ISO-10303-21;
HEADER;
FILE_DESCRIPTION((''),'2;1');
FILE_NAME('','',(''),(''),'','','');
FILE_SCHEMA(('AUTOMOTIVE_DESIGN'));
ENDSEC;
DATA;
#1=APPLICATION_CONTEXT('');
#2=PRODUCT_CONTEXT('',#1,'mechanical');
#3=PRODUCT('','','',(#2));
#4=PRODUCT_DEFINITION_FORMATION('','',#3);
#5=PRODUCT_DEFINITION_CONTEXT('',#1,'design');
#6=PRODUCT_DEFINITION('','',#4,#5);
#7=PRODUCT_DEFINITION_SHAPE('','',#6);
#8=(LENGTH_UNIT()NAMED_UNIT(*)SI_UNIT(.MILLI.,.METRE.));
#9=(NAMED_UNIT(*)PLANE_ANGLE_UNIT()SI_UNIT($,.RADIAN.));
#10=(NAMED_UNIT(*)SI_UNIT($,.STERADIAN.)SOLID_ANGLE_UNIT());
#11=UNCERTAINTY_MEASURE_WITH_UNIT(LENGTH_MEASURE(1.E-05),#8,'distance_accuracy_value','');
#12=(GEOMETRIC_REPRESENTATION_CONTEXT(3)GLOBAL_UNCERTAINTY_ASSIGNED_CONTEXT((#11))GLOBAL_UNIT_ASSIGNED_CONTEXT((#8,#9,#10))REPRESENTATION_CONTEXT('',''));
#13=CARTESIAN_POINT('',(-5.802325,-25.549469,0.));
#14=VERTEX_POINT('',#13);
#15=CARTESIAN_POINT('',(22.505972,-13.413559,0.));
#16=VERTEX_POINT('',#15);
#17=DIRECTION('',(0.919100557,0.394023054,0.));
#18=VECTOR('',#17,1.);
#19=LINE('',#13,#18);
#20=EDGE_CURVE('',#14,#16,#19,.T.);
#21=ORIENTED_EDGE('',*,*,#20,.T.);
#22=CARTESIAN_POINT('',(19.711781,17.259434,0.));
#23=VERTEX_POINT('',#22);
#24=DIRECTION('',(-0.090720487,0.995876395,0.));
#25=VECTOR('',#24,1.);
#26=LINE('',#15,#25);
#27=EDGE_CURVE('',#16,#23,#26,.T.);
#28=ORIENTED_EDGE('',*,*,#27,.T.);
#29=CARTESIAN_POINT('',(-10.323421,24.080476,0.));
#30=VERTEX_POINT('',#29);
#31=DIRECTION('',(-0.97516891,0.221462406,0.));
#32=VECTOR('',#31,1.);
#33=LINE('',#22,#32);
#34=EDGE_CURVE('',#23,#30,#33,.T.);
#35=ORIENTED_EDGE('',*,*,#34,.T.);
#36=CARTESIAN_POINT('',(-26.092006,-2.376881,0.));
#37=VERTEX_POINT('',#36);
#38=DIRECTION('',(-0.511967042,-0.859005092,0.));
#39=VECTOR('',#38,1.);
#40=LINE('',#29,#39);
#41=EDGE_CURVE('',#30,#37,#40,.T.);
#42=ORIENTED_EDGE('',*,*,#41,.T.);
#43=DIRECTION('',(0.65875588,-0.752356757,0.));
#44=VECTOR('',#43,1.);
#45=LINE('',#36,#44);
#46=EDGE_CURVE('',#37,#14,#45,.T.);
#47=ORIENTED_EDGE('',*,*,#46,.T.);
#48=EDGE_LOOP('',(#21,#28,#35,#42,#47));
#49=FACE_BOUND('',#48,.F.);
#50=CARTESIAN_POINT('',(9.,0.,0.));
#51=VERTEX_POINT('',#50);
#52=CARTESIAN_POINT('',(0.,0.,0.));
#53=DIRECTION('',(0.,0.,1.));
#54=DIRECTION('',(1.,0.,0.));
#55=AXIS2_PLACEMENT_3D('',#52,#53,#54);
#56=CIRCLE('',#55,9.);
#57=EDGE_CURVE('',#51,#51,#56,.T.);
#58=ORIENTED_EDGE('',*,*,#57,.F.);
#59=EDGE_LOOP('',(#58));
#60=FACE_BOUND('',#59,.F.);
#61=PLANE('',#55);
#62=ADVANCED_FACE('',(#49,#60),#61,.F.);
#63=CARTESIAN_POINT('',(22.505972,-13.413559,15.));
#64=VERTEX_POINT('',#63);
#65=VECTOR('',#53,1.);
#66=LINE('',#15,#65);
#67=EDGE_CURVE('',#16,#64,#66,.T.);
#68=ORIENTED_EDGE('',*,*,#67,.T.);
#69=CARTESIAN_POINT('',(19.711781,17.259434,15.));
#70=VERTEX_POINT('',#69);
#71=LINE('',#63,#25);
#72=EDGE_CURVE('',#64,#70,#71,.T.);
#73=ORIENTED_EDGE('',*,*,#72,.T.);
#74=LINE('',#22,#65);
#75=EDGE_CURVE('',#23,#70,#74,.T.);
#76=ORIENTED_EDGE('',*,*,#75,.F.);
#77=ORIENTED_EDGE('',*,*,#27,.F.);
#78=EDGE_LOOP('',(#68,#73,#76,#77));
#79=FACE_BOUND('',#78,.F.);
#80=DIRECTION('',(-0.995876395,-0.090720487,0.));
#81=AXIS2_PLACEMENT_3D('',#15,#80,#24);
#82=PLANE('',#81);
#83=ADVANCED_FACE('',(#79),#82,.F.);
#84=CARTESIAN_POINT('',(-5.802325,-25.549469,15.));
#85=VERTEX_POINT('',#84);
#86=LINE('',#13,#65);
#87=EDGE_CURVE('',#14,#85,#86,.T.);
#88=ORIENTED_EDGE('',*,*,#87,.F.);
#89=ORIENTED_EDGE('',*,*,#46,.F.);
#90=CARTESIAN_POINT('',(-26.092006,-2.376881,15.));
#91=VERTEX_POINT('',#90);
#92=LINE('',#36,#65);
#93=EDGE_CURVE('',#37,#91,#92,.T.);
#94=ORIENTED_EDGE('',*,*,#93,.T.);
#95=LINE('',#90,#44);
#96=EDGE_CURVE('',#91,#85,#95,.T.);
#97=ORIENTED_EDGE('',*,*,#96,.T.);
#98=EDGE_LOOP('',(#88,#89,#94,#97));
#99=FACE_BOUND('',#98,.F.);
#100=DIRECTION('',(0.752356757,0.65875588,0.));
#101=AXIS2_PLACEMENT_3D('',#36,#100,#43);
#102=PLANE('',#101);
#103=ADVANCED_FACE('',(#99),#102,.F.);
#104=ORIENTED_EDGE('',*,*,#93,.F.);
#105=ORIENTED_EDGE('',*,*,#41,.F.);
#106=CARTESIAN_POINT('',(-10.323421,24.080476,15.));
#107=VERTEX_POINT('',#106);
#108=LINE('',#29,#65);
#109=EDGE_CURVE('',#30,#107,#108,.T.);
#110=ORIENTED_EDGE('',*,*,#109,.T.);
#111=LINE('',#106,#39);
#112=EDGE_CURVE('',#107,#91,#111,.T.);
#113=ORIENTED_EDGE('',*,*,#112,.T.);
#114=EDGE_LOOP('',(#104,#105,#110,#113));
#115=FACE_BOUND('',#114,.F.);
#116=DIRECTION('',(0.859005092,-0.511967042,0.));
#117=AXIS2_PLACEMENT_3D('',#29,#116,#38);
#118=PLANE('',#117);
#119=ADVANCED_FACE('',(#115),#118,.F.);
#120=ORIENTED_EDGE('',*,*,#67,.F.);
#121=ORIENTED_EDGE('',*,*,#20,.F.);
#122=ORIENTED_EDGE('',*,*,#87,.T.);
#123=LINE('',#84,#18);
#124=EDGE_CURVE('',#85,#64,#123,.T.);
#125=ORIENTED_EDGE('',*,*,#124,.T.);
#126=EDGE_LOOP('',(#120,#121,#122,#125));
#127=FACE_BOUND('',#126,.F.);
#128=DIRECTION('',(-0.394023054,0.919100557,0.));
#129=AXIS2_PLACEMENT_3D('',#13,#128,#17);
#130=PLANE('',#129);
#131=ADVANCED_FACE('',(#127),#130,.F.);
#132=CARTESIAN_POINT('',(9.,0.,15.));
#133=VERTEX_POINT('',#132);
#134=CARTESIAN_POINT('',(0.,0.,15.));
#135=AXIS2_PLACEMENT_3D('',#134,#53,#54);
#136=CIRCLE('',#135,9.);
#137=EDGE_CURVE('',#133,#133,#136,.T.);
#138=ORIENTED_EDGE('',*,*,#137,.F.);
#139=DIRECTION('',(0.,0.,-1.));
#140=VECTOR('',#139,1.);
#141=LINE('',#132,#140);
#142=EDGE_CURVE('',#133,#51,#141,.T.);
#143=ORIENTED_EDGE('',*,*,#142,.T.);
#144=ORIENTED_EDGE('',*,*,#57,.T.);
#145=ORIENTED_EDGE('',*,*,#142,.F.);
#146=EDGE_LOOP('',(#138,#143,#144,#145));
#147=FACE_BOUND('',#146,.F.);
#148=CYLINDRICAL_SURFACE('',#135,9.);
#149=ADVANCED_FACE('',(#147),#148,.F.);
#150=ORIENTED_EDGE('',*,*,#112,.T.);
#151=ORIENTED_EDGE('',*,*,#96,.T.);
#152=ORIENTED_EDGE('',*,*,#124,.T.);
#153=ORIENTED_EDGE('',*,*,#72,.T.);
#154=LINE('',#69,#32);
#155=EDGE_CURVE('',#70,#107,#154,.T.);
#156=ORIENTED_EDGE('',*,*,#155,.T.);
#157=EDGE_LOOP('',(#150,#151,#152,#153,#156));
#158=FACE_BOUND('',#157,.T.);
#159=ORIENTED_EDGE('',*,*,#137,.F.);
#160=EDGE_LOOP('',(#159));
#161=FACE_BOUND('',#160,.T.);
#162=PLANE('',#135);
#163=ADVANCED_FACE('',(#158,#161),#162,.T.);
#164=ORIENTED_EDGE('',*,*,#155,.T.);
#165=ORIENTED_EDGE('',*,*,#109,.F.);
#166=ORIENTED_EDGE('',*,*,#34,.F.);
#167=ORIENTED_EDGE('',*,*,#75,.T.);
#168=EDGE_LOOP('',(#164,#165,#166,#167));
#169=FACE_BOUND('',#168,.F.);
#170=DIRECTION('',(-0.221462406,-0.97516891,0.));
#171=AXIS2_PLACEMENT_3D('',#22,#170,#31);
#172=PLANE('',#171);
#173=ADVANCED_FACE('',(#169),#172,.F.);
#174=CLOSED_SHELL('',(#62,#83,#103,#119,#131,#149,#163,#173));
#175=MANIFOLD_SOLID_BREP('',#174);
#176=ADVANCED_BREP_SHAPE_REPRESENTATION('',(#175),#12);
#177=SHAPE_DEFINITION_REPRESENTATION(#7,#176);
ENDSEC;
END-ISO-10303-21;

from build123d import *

# Parameters (mm, degrees)
F1_DEPTH = 15
F2_R     = 9
F3_DEPTH = 18


with BuildPart() as f1:
    # F0 (on Top) → F1 (new body)
    with BuildSketch(Plane.XY):
        Polygon((-5.802325, -25.549469), (22.505972, -13.413559), (19.711781, 17.259434), (-10.323421, 24.080476), (-26.092006, -2.376881), align=None)
    extrude(amount=F1_DEPTH)

    # F2 (on face) → F3 (cut)
    with BuildSketch(Plane.XY.offset(15)):
        Circle(F2_R)
    extrude(amount=-F3_DEPTH, mode=Mode.SUBTRACT)


solid = f1.part
